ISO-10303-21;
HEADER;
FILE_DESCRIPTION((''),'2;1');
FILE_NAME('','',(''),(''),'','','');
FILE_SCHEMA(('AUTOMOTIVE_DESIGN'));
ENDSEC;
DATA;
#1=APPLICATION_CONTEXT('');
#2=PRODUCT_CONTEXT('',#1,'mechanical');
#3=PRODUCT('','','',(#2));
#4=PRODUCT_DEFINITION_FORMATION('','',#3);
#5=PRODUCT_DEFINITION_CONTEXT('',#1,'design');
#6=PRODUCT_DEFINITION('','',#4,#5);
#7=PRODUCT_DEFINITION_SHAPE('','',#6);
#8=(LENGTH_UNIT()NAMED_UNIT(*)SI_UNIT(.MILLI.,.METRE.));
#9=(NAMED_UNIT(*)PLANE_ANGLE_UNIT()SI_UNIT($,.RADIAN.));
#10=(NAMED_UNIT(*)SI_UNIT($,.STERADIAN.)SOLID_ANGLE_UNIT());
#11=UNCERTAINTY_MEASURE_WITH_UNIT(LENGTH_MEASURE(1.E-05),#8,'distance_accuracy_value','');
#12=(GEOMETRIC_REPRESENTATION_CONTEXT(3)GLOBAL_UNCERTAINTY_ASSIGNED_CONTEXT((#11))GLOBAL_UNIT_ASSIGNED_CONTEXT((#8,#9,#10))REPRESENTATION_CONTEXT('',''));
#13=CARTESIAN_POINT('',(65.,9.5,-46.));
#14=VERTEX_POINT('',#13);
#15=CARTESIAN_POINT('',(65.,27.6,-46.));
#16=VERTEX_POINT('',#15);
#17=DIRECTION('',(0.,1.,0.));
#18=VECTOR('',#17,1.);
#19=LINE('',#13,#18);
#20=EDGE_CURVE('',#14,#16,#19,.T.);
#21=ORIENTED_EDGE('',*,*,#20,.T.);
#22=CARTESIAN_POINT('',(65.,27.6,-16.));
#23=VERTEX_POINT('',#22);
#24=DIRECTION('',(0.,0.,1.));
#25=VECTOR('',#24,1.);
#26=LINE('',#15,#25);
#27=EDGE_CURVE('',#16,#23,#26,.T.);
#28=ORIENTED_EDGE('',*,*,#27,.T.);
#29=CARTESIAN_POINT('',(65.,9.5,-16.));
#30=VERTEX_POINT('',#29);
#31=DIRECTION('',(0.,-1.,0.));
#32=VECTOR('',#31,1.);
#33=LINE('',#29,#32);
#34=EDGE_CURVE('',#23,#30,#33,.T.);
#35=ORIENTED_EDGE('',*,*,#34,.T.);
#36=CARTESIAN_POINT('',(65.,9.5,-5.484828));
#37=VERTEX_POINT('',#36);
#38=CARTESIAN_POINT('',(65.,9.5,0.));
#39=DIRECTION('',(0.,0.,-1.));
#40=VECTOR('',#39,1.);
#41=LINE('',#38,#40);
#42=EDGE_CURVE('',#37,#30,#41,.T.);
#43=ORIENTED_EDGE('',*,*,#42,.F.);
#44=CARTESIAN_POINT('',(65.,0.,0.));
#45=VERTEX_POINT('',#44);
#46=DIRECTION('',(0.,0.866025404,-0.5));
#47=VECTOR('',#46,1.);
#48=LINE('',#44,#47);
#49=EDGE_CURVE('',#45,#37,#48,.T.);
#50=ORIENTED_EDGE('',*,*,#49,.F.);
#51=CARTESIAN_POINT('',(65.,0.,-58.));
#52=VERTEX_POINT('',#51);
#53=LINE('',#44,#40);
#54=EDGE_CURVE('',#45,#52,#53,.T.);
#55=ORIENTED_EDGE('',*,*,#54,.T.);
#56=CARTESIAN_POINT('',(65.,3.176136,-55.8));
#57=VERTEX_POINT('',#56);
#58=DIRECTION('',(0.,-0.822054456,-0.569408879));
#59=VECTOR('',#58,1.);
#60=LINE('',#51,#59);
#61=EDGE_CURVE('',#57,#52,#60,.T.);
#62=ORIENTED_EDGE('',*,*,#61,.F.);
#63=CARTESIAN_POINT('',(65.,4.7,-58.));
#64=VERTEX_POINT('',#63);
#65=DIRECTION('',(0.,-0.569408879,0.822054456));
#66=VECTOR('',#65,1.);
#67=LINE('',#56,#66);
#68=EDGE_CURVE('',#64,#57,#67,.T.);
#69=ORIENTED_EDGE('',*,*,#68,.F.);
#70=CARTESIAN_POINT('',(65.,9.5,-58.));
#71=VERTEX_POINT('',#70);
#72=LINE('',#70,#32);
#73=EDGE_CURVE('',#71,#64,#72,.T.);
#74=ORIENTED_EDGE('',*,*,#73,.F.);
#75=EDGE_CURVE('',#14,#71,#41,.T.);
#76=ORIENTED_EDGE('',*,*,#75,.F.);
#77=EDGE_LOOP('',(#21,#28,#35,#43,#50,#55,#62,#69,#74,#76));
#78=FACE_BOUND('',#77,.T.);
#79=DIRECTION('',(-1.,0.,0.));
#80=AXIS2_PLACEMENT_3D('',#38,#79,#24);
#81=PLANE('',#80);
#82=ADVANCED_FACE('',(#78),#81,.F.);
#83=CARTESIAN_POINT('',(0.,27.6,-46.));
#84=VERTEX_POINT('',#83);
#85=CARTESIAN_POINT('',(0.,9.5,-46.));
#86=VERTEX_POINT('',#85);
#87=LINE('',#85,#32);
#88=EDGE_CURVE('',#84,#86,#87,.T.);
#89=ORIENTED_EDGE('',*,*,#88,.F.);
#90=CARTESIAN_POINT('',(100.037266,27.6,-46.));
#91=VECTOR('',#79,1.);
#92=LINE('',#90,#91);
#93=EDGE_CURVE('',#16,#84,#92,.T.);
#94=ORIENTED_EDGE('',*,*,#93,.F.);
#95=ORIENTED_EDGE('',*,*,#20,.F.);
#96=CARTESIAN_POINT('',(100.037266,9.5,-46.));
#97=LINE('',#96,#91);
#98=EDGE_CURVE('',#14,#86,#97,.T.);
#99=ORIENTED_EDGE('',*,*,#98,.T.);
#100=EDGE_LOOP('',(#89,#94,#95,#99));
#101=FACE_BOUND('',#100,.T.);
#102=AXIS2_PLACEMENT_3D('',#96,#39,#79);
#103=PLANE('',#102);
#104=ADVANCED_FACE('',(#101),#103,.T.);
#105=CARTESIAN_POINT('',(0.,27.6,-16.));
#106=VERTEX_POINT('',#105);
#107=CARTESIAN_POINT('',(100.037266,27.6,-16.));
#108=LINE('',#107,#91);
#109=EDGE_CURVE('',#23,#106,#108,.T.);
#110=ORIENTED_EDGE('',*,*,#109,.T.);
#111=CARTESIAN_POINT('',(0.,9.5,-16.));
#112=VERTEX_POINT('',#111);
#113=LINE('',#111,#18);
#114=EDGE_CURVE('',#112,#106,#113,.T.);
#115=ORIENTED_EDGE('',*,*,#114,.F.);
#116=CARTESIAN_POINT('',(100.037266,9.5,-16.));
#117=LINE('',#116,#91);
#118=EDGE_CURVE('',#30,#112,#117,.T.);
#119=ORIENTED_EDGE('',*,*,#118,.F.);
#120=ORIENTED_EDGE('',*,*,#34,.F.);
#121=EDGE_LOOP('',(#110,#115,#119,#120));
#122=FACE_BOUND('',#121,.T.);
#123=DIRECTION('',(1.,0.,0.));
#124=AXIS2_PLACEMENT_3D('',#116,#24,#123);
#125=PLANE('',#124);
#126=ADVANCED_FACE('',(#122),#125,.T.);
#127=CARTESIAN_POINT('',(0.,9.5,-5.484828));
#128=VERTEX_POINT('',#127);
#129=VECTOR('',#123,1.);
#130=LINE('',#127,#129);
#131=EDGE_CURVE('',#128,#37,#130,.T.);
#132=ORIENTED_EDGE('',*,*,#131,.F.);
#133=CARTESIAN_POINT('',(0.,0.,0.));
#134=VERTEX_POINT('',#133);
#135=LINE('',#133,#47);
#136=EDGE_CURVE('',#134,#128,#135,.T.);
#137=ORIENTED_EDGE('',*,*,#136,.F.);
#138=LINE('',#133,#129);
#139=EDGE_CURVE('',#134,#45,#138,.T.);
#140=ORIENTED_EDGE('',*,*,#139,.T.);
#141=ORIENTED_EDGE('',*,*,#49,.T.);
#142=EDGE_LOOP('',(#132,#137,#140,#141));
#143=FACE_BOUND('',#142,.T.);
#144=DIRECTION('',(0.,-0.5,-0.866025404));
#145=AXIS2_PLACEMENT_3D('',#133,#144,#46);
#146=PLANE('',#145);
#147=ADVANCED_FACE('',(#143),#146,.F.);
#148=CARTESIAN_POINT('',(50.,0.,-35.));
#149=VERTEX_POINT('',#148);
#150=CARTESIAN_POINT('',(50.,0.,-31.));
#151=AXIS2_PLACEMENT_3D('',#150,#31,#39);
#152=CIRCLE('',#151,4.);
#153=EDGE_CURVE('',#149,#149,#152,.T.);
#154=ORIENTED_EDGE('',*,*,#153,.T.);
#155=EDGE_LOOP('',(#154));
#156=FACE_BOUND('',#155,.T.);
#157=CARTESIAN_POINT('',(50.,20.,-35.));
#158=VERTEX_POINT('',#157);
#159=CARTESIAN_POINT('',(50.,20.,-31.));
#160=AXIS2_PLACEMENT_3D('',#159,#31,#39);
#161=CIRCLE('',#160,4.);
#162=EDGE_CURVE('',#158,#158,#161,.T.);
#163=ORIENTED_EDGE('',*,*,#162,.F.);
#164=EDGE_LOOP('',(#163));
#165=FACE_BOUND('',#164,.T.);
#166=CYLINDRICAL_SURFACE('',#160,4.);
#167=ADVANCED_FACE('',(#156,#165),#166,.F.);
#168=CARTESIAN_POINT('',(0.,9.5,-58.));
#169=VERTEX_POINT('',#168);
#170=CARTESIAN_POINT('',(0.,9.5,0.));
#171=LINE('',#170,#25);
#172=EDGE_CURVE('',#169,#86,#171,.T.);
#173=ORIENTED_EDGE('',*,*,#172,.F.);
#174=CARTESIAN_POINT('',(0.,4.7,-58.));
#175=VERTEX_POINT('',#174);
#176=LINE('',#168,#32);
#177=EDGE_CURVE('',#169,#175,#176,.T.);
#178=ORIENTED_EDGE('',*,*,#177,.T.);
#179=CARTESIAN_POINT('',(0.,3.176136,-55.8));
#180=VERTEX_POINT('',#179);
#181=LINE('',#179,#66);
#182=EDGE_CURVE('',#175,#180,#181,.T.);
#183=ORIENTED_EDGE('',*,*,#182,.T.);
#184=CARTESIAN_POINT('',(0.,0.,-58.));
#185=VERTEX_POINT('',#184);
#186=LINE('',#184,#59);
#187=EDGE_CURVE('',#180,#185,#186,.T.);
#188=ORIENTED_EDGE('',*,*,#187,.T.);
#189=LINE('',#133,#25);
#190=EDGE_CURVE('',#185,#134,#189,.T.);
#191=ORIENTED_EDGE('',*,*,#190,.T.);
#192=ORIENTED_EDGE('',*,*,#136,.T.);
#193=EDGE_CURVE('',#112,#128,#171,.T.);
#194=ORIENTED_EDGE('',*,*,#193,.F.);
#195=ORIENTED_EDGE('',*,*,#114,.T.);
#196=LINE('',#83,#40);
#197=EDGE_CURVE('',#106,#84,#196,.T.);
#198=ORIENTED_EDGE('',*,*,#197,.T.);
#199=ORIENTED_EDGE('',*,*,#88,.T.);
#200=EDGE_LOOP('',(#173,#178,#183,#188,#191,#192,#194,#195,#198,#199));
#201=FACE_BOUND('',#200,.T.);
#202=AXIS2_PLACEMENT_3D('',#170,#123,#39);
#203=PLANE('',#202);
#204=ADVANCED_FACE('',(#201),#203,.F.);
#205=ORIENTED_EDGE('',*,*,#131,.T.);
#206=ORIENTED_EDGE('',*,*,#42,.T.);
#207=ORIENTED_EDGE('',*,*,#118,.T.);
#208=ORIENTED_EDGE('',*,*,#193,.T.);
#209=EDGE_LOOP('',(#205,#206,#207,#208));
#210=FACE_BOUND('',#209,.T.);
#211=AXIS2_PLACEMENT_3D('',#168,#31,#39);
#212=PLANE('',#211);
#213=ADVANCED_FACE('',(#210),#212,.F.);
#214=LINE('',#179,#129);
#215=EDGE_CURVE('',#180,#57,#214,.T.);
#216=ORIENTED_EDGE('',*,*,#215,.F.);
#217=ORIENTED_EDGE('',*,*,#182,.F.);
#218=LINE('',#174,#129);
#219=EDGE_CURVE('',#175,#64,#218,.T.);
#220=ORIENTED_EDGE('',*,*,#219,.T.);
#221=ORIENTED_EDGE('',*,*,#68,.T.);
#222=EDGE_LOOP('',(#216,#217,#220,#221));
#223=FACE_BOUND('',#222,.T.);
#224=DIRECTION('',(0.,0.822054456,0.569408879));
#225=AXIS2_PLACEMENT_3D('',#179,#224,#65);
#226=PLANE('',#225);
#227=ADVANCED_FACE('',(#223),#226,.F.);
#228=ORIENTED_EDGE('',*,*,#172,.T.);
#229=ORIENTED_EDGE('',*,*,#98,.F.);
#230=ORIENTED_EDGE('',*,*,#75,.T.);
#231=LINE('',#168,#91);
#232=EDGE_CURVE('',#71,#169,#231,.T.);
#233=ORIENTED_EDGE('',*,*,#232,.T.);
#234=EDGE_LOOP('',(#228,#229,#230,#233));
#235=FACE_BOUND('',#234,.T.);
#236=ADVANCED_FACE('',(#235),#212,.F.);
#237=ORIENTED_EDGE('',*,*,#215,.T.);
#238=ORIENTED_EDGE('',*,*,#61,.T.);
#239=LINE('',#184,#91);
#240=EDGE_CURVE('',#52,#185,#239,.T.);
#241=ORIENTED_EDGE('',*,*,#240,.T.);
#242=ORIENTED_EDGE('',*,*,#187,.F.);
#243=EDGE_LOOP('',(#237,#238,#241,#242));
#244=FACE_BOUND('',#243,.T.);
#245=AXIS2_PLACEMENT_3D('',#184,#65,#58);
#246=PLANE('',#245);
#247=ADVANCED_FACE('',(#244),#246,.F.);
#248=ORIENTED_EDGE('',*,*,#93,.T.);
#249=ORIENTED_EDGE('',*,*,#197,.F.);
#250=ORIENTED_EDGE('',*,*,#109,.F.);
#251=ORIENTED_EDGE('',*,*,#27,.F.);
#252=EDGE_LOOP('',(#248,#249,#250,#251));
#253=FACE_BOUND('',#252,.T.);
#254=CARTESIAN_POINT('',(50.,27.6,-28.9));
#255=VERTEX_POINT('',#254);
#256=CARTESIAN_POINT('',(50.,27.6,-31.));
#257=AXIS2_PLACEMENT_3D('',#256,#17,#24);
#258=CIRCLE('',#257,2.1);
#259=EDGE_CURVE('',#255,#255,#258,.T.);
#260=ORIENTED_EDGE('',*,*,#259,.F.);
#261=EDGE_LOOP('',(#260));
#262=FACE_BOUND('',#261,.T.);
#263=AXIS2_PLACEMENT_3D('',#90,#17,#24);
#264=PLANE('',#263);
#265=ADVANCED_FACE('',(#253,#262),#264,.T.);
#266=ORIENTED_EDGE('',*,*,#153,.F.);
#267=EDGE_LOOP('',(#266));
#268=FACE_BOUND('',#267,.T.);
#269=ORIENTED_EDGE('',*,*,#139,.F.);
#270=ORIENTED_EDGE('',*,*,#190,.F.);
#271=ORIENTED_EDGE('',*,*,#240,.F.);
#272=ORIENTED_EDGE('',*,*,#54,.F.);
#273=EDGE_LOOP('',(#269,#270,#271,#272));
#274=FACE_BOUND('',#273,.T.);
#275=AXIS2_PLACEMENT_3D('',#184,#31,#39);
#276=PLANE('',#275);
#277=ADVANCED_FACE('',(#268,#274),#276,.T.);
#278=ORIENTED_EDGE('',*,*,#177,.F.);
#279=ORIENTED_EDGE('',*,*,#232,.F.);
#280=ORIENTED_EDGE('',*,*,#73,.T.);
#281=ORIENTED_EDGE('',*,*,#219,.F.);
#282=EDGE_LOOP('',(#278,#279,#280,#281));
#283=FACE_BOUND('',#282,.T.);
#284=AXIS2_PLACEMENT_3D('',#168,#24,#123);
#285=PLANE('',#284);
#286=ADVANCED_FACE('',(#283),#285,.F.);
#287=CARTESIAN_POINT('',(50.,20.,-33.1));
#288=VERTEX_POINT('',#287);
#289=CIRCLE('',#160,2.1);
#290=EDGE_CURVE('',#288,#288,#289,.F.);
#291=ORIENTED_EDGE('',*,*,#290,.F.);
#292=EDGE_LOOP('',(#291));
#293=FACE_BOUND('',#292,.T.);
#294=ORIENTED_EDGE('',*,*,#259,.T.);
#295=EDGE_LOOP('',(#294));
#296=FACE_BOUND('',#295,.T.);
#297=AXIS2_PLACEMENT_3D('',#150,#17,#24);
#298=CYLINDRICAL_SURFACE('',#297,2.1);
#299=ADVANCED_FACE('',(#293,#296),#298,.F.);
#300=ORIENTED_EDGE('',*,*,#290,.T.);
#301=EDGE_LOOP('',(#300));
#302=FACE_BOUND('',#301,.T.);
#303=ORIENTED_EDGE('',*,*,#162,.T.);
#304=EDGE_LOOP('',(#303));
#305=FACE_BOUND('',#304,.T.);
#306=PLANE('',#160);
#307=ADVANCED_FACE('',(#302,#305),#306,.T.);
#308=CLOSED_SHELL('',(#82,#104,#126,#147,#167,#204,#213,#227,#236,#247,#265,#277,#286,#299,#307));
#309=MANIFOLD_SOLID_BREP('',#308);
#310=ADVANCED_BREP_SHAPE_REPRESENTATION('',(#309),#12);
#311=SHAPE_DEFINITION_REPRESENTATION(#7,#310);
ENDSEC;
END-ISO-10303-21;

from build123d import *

# Parameters (mm, degrees)
SKETCH1_W      = 65
SKETCH1_H      = 58
EXTRUDE1_DEPTH = 9.5
EXTRUDE2_DEPTH = 66
EXTRUDE3_DEPTH = 66
SKETCH4_W      = 30
SKETCH4_H      = 18.1
EXTRUDE4_DEPTH = 65
SKETCH5_R      = 2.1
EXTRUDE5_DEPTH = 28.6
SKETCH6_R      = 4
EXTRUDE6_DEPTH = 20


with BuildPart() as part:
    # Sketch1 → Extrude1 (new body)
    with BuildSketch(Plane(origin=(0, 0, 0), x_dir=(1, 0, 0), z_dir=(0, 1, 0))):
        with Locations((32.5, 29)):
            Rectangle(SKETCH1_W, SKETCH1_H)
    extrude(amount=EXTRUDE1_DEPTH)

    # Sketch2 → Extrude2 (cut, through all)
    with BuildSketch(Plane(origin=(65, 0, 0), x_dir=(0, 0, -1), z_dir=(1, 0, 0))):
        Polygon((0, 0), (5.484827557, 9.5), (0, 9.5), align=None)
    extrude(amount=-EXTRUDE2_DEPTH, mode=Mode.SUBTRACT)

    # Sketch3 → Extrude3 (cut, through all)
    with BuildSketch(Plane(origin=(65, 0, 0), x_dir=(0, 0, -1), z_dir=(1, 0, 0))):
        Polygon((58, 0), (58, 4.7), (55.8, 3.176135582), align=None)
    extrude(amount=-EXTRUDE3_DEPTH, mode=Mode.SUBTRACT)

    # Sketch4 → Extrude4 (add)
    with BuildSketch(Plane.ZY):
        with Locations((-31, 18.55)):
            Rectangle(SKETCH4_W, SKETCH4_H)
    extrude(amount=-EXTRUDE4_DEPTH)

    # Sketch5 → Extrude5 (cut, through all)
    with BuildSketch(Plane(origin=(0, 27.6, 0), x_dir=(1, 0, 0), z_dir=(0, 1, 0))):
        with Locations(Location((50, 31, 0), (0, 0, 270))):  # turned: the seam where the file's is
            Circle(SKETCH5_R)
    extrude(amount=-EXTRUDE5_DEPTH, mode=Mode.SUBTRACT)

    # Sketch6 → Extrude6 (cut)
    with BuildSketch(Plane.XZ):
        with Locations(Location((50, -31, 0), (0, 0, 270))):  # turned: the seam where the file's is
            Circle(SKETCH6_R)
    extrude(amount=-EXTRUDE6_DEPTH, mode=Mode.SUBTRACT)


solid = part.part
